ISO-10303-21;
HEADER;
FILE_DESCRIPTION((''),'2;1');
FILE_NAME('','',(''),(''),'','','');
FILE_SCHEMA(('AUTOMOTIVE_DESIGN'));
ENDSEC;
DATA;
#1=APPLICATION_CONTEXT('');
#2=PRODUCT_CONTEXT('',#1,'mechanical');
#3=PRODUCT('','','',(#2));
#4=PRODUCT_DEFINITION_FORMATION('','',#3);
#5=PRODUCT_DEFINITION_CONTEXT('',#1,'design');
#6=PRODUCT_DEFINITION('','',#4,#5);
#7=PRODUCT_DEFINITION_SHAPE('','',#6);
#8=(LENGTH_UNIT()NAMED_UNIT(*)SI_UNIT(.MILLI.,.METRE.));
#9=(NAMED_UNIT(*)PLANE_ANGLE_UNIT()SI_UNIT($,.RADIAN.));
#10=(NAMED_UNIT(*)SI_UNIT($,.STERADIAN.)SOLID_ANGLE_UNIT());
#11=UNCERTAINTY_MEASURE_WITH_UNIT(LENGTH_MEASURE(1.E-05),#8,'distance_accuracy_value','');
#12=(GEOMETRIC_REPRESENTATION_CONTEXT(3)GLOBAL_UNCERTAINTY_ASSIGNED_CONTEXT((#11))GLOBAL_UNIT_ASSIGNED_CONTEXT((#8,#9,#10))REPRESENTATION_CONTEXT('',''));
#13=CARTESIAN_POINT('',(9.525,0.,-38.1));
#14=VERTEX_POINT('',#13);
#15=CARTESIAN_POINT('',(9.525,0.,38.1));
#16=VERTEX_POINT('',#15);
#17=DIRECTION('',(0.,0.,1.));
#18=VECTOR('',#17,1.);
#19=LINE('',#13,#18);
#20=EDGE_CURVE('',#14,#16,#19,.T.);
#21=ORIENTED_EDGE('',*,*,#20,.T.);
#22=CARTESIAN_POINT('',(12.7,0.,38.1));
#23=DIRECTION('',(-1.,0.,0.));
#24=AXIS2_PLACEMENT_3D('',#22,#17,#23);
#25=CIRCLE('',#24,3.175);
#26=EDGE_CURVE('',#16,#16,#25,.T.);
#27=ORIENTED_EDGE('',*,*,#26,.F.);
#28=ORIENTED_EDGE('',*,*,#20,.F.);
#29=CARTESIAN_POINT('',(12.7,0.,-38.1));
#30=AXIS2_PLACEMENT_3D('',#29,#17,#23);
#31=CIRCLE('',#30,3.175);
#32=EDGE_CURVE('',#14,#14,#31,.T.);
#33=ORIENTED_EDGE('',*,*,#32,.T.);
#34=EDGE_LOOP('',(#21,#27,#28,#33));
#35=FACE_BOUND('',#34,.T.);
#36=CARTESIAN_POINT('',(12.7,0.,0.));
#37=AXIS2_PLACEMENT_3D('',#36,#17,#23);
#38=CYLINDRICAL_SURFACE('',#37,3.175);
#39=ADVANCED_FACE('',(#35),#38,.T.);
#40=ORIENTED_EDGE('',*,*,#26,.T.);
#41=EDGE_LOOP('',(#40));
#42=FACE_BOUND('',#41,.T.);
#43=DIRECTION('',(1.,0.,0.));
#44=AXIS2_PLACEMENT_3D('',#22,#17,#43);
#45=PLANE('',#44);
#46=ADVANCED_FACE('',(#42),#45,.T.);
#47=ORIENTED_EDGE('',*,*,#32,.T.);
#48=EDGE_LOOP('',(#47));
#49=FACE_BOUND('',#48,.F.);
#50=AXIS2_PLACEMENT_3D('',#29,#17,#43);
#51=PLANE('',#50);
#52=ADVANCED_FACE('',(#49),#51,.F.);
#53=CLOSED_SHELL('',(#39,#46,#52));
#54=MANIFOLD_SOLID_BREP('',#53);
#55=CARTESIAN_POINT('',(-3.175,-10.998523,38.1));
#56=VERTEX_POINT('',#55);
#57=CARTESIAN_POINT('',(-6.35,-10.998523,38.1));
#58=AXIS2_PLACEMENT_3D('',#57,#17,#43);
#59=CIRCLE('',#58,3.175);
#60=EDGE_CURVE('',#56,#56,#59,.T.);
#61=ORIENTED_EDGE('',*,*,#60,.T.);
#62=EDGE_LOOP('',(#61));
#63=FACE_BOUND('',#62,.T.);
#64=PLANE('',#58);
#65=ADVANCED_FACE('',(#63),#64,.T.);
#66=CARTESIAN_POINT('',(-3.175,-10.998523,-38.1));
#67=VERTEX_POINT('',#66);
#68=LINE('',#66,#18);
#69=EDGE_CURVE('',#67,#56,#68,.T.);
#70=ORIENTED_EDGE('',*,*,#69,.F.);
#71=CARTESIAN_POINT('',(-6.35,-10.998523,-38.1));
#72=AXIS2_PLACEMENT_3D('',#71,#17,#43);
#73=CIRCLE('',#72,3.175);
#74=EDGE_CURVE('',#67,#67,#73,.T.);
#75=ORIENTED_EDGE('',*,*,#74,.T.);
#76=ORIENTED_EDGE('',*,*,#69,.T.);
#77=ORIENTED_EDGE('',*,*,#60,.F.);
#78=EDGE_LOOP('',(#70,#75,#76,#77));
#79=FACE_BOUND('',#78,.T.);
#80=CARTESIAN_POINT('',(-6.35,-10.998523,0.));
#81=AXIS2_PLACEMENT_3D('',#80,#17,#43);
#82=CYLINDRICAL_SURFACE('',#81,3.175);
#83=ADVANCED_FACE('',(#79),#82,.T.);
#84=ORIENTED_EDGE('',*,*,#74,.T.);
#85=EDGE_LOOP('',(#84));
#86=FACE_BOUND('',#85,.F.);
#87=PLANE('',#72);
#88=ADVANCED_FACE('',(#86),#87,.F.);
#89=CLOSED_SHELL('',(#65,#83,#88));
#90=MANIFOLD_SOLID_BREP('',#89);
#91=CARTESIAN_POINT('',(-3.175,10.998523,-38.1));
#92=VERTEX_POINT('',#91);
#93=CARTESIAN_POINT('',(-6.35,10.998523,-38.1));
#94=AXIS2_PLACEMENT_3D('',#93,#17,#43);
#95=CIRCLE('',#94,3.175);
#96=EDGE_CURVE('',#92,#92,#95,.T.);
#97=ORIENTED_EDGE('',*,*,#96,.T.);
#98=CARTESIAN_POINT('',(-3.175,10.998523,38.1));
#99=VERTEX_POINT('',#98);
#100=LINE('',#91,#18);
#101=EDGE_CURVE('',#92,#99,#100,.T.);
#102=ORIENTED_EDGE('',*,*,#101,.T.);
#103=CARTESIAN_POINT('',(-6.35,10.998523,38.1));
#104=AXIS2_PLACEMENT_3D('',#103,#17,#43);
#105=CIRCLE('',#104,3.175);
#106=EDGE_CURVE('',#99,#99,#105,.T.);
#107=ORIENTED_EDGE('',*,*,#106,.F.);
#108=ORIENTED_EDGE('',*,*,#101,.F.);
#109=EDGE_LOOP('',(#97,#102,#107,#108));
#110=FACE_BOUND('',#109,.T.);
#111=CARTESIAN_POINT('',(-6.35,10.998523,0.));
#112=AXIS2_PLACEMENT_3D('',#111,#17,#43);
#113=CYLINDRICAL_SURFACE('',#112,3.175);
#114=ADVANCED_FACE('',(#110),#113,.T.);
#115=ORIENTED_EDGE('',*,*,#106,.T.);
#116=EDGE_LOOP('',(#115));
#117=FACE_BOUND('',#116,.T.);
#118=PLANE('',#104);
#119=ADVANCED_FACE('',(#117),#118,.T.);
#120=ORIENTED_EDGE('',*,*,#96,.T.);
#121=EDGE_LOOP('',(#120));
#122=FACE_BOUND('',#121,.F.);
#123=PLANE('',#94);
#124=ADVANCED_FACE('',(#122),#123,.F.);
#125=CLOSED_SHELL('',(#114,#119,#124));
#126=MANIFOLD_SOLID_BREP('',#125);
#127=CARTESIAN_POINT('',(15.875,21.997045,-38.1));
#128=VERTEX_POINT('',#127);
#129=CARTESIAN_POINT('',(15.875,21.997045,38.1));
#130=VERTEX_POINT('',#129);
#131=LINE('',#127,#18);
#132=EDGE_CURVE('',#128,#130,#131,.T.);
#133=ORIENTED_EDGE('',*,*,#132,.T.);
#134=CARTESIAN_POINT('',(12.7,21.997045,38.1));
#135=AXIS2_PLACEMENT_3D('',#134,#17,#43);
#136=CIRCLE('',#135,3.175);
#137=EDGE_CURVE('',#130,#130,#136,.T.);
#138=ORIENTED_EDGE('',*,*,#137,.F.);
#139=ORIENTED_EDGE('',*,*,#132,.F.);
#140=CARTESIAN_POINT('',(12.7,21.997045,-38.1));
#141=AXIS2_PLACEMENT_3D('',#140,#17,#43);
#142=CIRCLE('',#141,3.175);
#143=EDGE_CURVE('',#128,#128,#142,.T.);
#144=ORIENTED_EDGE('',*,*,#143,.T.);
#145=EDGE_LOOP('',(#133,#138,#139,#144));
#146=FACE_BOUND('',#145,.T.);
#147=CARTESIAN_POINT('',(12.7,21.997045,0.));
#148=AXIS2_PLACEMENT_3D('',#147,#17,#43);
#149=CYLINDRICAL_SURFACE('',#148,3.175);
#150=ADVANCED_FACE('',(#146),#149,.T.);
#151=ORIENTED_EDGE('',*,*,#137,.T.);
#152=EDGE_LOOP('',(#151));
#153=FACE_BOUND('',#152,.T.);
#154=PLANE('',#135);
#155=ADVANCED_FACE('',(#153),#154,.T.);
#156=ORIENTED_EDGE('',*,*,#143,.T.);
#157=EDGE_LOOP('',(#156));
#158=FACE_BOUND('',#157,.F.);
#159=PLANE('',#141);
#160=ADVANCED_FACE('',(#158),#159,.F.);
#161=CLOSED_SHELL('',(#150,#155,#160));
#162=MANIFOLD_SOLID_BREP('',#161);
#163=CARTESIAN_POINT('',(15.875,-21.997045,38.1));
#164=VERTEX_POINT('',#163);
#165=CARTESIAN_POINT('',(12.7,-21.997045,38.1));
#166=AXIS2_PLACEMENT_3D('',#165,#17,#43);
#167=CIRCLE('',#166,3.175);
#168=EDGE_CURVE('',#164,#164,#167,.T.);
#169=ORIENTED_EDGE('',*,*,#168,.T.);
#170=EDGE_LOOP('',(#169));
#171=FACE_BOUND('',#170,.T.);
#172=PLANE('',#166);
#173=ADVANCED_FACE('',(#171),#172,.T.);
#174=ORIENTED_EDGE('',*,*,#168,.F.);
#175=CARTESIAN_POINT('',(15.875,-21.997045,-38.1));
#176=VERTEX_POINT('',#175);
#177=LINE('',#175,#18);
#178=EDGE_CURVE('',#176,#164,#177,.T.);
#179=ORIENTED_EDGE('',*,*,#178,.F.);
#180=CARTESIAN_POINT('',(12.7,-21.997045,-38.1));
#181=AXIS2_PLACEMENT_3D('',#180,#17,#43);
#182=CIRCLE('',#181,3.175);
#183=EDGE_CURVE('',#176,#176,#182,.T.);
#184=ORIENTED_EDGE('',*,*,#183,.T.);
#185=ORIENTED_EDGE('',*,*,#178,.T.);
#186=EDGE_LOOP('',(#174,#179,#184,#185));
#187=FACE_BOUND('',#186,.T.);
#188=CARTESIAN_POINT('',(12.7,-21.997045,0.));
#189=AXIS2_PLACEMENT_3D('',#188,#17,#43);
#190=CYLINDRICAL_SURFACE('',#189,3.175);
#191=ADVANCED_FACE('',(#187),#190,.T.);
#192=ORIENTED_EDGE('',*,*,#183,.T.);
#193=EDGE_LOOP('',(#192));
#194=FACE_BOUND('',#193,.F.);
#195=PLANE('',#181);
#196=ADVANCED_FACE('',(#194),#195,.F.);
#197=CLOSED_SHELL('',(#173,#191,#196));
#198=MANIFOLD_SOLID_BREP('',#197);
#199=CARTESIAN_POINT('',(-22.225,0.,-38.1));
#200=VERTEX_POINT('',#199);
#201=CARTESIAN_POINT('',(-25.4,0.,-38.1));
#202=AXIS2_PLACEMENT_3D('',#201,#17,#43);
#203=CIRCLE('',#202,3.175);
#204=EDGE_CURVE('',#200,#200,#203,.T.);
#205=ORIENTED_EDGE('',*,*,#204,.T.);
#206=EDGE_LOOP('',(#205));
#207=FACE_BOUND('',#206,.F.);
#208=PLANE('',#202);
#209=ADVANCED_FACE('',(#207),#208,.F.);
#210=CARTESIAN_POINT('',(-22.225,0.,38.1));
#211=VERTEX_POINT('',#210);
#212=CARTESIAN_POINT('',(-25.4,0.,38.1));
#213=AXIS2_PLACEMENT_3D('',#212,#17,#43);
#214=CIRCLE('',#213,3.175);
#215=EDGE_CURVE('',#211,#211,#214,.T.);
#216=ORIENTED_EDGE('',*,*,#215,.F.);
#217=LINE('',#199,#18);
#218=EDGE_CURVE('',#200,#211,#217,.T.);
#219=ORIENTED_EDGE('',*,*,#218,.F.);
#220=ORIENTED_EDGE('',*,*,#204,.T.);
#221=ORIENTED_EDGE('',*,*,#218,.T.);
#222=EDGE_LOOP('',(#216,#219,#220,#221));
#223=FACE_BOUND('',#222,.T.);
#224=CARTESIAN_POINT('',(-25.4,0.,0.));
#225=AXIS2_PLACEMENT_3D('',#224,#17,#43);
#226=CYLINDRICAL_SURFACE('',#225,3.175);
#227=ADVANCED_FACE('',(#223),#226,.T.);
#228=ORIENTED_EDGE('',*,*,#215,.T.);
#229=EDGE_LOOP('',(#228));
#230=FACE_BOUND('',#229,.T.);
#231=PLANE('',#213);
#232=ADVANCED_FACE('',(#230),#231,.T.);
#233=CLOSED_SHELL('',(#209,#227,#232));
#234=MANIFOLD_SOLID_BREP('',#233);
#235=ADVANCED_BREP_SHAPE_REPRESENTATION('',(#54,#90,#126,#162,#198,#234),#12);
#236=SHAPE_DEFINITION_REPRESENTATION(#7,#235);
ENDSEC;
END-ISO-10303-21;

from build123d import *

# Parameters (mm, degrees)
F11_R     = 3.175
F12_DEPTH = 38.1


with BuildPart() as f12:
    # F11 (on Top) → F12 (new body, symmetric)
    with BuildSketch(Plane.XY):
        with Locations((12.7, -21.9970452561)):
            Circle(F11_R)
    extrude(amount=F12_DEPTH, both=True)


with BuildPart() as f12b:
    # F11 (on Top) → F12, piece 2 (new body, symmetric)
    with BuildSketch(Plane.XY):
        with Locations((-6.35, 10.9985226281)):
            Circle(F11_R)
    extrude(amount=F12_DEPTH, both=True)


with BuildPart() as f12c:
    # F11 (on Top) → F12, piece 3 (new body, symmetric)
    with BuildSketch(Plane.XY):
        with Locations((-25.4, 0)):
            Circle(F11_R)
    extrude(amount=F12_DEPTH, both=True)


with BuildPart() as f12d:
    # F11 (on Top) → F12, piece 4 (new body, symmetric)
    with BuildSketch(Plane.XY):
        with BuildLine():
            ThreePointArc((15.875, 0), (12.7, 3.175), (9.525, 0))
            ThreePointArc((9.525, 0), (12.7, -3.175), (15.875, 0))
        make_face()
    extrude(amount=F12_DEPTH, both=True)


with BuildPart() as f12e:
    # F11 (on Top) → F12, piece 5 (new body, symmetric)
    with BuildSketch(Plane.XY):
        with Locations((-6.35, -10.9985226281)):
            Circle(F11_R)
    extrude(amount=F12_DEPTH, both=True)


with BuildPart() as f12f:
    # F11 (on Top) → F12, piece 6 (new body, symmetric)
    with BuildSketch(Plane.XY):
        with Locations((12.7, 21.9970452561)):
            Circle(F11_R)
    extrude(amount=F12_DEPTH, both=True)


solid = Compound([f12.part, f12b.part, f12c.part, f12d.part, f12e.part, f12f.part])
